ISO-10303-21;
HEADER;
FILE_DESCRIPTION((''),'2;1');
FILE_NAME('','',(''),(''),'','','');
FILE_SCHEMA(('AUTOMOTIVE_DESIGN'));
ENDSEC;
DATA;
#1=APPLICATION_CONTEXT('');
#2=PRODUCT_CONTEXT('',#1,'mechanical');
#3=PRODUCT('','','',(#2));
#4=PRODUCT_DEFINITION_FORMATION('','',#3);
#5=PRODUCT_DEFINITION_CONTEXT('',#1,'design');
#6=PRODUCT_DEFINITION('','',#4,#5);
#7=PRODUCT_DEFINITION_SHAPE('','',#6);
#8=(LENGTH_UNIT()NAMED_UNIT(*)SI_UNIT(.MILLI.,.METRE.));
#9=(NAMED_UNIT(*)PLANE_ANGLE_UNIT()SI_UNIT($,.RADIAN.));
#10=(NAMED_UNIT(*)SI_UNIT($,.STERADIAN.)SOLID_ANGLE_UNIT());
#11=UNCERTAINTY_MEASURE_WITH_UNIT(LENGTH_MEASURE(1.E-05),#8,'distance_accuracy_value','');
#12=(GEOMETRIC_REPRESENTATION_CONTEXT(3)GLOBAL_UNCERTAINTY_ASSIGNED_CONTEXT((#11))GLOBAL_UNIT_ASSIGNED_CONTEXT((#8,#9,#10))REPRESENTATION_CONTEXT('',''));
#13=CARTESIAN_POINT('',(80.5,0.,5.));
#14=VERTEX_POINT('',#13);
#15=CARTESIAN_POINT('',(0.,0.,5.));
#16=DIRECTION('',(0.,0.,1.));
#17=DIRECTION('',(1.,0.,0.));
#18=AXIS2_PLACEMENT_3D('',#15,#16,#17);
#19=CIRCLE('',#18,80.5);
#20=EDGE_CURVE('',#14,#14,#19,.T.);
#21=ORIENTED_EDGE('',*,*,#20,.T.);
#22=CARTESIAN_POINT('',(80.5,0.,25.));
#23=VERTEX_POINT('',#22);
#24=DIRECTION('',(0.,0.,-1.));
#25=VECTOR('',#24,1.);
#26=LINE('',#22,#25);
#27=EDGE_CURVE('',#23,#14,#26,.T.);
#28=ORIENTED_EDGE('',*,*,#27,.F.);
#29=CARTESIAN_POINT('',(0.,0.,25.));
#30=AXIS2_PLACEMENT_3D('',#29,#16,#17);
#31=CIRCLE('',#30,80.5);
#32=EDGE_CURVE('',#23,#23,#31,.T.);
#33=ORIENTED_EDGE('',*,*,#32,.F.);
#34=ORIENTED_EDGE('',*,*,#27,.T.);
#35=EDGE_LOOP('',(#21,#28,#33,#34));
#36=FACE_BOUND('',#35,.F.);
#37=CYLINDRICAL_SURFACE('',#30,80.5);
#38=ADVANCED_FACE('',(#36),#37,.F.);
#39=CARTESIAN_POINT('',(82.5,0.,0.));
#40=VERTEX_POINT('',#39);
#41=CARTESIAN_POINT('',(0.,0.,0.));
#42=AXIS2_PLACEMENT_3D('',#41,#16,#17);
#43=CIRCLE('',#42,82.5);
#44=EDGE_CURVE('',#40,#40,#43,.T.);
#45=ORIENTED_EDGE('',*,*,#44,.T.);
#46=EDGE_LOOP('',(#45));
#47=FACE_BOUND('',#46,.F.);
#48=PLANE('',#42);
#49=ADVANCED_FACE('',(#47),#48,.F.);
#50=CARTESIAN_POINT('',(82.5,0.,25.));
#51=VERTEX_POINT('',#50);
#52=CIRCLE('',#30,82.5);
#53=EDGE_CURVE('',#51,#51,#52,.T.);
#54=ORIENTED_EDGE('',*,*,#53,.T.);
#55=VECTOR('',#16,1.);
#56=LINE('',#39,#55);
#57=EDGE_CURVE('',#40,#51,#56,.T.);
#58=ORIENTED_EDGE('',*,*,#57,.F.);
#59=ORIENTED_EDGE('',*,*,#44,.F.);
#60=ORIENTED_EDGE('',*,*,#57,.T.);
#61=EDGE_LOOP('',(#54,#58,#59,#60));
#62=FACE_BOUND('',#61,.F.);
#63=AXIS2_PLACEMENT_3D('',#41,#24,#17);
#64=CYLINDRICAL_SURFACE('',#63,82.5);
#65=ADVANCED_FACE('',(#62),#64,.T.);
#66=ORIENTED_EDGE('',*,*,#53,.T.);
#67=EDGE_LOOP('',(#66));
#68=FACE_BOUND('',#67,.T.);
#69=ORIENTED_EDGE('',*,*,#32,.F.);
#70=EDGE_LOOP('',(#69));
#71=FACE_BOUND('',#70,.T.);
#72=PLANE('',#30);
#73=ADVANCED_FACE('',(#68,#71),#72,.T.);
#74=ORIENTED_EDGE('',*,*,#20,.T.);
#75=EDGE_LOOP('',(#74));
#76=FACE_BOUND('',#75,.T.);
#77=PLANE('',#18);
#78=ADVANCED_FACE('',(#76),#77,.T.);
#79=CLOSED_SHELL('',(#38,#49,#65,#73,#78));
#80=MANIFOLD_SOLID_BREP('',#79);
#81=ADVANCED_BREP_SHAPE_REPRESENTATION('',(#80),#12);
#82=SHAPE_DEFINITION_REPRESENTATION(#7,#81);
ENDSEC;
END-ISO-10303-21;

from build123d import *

# Parameters (mm, degrees)
SKETCH_R     = 82.5
PAD_DEPTH    = 25
SKETCH001_R  = 80.5
POCKET_DEPTH = 20


with BuildPart() as part:
    # Sketch → Pad (new body)
    with BuildSketch(Plane.XY):
        Circle(SKETCH_R)
    extrude(amount=PAD_DEPTH)

    # Sketch001 (on Face3 of Pad) → Pocket (cut)
    with BuildSketch(Plane.XY.offset(25)):
        Circle(SKETCH001_R)
    extrude(amount=-POCKET_DEPTH, mode=Mode.SUBTRACT)


solid = part.part
